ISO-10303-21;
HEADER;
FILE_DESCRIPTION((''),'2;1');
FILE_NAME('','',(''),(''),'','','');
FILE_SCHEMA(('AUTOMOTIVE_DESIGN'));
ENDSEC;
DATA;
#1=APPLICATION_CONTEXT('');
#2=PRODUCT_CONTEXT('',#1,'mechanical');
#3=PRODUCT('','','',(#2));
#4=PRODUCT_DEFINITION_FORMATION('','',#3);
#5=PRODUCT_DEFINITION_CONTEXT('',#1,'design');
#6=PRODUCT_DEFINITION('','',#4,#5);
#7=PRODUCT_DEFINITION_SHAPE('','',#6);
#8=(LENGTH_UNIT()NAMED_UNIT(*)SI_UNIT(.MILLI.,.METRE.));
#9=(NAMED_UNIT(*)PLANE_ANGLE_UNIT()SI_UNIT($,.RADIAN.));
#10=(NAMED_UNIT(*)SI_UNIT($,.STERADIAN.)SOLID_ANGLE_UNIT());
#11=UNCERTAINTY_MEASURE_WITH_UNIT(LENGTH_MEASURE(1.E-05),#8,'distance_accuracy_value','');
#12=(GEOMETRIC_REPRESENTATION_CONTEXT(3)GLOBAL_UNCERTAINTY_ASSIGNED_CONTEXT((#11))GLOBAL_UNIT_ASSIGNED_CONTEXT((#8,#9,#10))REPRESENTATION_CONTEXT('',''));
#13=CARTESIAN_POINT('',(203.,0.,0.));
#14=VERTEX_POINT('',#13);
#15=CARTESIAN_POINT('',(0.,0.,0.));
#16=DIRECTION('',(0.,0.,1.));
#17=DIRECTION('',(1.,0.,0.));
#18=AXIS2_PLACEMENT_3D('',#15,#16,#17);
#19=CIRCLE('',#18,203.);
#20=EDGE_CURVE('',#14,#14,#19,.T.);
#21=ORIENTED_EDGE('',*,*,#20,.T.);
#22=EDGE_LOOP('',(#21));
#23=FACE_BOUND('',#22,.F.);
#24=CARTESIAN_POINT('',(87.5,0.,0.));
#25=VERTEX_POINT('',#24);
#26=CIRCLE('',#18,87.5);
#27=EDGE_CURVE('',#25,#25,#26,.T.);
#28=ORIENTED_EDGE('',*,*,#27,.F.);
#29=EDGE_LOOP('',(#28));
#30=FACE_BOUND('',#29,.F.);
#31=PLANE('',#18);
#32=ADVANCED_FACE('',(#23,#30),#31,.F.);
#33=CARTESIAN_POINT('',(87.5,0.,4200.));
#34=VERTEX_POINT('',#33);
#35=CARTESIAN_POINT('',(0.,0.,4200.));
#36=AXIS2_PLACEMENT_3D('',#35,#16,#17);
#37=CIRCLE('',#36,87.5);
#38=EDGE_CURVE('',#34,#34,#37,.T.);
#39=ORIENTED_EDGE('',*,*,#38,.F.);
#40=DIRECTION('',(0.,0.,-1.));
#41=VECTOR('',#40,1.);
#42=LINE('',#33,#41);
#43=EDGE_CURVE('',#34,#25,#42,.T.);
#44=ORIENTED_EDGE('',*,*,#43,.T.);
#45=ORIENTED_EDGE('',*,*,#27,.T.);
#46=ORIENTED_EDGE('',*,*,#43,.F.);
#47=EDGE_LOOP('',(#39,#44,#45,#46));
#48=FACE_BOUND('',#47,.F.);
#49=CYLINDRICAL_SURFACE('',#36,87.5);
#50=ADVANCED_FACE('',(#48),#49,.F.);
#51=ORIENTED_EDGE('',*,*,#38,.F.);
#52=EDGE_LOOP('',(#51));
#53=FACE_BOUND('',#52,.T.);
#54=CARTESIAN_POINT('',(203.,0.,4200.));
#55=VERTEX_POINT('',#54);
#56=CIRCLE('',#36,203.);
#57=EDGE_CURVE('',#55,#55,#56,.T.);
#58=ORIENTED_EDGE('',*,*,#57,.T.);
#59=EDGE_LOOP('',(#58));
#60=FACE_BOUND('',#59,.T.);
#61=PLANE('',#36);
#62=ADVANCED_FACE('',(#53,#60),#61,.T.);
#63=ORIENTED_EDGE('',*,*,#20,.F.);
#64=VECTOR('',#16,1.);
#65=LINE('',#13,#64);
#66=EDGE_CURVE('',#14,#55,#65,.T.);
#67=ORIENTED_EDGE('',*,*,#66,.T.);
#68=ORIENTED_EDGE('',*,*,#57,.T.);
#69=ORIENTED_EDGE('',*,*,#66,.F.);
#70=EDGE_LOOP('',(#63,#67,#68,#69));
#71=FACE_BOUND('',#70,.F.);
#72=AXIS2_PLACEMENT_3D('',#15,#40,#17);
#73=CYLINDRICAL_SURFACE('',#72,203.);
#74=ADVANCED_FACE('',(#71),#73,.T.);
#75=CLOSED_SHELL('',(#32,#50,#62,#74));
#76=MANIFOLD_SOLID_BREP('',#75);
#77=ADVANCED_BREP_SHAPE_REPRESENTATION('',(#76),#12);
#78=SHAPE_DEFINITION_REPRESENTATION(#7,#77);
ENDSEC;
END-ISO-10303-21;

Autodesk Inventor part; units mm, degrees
ref_plane "YZ Plane" through (0, 0, 0) normal (1, 0, 0) x (0, 1, 0)
ref_plane "XZ Plane" through (0, 0, 0) normal (0, 1, 0) x (-1, 0, 0)
ref_plane "XY Plane" through (0, 0, 0) normal (0, 0, 1) x (1, 0, 0)
sketch "Sketch1" plane through (0, 0, 0) normal (0, 0, 1) x (1, 0, 0)
  circle A0 centre (0, 0) radius 203
  dimension "d0" = 406
extrude "Extrusion1" add sketch "Sketch1" along normal blind 4200
sketch "Sketch3" plane through (0, 0, 4200) normal (0, 0, 1) x (1, 0, 0)
  circle A0 centre (0, 0) radius 87.5
  dimension "d3" = 175
extrude "Extrusion2" cut sketch "Sketch3" against normal through all
properties part number "Beam"
